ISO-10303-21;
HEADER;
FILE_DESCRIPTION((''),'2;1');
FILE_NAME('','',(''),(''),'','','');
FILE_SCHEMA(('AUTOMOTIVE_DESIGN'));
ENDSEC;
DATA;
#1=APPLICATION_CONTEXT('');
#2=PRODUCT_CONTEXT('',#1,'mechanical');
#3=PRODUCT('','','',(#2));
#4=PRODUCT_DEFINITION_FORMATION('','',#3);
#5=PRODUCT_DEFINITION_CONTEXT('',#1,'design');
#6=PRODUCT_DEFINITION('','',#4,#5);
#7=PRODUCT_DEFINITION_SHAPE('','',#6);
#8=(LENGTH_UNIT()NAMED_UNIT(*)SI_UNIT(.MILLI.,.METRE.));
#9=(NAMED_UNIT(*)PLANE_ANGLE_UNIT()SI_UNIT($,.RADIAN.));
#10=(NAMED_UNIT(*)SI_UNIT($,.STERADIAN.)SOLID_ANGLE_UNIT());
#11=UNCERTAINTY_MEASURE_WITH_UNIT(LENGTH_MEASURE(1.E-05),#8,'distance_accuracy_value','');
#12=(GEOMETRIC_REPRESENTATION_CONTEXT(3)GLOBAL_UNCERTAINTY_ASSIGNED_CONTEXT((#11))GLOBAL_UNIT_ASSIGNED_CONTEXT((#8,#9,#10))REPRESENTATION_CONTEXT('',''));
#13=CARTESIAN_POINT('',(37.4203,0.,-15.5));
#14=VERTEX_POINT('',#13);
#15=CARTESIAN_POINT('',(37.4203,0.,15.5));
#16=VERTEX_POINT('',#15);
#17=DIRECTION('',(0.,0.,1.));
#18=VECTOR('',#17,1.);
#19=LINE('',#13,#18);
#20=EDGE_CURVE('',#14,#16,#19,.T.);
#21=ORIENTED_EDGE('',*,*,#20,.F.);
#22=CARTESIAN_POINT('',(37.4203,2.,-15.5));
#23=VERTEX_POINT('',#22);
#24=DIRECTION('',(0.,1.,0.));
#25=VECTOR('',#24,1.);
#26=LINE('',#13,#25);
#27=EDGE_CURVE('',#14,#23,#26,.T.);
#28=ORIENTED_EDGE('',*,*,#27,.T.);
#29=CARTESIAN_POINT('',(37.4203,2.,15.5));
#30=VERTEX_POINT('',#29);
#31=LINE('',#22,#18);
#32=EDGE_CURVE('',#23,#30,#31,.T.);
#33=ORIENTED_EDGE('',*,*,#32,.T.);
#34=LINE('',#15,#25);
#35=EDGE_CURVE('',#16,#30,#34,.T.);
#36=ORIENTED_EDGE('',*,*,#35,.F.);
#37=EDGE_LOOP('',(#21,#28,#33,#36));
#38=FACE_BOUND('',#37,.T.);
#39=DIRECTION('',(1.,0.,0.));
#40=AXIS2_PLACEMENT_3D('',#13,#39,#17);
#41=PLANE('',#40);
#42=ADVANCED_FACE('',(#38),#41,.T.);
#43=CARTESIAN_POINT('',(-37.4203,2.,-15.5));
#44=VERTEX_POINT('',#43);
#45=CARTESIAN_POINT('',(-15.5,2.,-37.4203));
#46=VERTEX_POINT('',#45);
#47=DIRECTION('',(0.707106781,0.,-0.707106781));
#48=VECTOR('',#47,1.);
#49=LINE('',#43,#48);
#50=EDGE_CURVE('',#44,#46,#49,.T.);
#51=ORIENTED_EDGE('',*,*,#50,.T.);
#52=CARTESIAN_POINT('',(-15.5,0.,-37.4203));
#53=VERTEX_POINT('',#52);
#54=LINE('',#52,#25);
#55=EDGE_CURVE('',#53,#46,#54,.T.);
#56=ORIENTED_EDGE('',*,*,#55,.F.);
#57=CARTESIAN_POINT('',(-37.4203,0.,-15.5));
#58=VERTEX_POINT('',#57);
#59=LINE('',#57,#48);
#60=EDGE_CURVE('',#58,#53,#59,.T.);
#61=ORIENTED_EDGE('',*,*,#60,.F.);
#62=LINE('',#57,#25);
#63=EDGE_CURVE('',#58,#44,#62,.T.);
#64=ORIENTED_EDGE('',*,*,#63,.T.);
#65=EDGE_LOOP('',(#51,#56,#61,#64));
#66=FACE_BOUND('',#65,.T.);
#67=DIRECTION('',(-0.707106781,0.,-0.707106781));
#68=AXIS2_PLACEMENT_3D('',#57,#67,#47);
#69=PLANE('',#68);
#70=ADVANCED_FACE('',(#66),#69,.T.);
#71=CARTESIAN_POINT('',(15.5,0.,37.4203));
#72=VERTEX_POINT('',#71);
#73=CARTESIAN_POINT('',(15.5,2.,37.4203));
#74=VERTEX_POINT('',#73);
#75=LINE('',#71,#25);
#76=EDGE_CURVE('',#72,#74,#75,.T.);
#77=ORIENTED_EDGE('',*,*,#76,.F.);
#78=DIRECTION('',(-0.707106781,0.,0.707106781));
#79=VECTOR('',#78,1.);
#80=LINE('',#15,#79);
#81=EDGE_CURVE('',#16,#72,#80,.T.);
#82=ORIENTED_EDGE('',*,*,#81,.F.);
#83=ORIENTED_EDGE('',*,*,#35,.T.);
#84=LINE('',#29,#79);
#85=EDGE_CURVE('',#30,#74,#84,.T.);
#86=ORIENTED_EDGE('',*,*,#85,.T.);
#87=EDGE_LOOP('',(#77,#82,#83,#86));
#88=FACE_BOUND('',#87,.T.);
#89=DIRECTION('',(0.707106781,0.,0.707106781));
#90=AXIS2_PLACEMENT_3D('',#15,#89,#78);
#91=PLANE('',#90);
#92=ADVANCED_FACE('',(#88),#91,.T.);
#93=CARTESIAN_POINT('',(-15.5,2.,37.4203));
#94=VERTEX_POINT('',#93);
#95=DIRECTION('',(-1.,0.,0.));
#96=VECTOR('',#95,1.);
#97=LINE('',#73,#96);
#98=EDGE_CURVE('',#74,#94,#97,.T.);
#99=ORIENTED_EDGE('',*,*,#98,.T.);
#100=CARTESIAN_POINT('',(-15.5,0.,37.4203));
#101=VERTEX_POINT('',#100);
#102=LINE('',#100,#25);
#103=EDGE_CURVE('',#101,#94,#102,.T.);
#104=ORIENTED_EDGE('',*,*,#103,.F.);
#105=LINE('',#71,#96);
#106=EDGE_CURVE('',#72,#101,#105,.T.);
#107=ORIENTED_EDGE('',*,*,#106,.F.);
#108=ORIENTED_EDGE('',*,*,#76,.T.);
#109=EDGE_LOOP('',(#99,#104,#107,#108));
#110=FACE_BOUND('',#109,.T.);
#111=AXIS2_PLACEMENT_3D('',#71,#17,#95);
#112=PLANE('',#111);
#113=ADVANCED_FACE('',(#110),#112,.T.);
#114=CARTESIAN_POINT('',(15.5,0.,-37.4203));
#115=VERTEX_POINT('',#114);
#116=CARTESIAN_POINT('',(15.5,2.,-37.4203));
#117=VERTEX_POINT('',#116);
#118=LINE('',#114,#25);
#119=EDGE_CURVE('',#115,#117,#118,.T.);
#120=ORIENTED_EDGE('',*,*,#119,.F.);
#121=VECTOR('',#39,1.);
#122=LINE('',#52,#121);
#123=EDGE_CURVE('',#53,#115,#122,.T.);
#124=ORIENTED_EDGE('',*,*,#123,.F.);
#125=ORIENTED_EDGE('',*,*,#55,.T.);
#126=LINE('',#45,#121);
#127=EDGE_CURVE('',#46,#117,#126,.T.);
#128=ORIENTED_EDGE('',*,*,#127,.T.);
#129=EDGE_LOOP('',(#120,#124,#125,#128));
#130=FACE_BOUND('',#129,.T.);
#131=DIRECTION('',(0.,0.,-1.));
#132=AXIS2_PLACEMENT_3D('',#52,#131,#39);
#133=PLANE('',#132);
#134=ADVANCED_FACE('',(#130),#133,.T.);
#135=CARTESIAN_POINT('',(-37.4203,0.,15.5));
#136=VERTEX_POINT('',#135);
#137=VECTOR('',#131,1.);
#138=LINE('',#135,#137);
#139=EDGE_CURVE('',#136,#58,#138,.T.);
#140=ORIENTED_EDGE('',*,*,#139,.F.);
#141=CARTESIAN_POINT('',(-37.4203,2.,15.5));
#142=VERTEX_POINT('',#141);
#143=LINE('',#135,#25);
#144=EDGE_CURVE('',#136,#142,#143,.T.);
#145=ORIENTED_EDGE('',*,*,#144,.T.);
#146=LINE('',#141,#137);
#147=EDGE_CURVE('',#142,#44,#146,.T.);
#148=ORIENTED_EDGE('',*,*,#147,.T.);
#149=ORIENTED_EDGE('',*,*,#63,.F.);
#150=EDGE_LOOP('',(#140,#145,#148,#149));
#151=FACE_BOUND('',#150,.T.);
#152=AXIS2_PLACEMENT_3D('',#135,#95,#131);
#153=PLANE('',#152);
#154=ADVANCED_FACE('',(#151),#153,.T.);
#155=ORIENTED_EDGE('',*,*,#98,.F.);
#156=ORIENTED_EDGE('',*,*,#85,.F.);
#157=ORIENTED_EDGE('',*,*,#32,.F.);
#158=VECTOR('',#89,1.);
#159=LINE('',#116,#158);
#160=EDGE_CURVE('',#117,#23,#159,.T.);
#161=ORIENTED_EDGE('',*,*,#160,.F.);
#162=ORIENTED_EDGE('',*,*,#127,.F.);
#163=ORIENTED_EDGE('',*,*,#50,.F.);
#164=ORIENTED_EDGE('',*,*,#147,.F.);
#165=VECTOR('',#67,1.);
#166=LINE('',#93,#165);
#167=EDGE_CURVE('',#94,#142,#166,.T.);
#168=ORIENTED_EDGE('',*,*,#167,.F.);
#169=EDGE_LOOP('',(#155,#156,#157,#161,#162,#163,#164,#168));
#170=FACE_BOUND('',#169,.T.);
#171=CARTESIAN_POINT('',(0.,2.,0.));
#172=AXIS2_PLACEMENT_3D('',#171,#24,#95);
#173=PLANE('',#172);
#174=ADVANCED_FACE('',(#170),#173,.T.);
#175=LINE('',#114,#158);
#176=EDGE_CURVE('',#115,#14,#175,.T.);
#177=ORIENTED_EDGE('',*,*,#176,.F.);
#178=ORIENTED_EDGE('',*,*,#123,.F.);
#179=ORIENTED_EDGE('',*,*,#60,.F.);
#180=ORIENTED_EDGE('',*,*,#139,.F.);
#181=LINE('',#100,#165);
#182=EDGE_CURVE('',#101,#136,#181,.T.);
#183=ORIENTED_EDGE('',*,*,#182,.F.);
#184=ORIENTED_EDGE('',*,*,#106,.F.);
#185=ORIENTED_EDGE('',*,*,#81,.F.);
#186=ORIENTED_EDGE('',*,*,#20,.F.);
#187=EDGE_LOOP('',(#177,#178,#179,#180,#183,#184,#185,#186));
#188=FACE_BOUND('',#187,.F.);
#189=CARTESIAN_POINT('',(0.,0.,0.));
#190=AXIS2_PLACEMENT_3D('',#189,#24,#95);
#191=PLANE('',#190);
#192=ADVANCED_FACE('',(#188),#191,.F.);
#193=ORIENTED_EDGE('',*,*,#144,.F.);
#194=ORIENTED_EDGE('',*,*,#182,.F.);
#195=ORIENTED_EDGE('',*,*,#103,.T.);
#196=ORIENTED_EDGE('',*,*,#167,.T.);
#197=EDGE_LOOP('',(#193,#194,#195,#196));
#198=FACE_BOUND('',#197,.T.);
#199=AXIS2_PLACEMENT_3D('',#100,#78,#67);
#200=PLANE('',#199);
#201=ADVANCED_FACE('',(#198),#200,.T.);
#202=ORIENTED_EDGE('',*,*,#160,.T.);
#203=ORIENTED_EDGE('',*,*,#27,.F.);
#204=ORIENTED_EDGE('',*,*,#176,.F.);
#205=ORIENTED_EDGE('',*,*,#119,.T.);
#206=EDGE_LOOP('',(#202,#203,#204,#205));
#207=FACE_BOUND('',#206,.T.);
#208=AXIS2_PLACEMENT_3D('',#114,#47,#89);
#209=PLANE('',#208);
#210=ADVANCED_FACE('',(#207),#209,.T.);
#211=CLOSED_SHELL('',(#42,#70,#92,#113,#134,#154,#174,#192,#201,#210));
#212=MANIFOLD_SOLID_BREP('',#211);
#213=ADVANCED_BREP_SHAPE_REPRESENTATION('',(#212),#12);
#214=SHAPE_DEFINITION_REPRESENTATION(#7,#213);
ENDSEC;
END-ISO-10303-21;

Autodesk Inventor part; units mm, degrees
ref_plane "YZ Plane" through (0, 0, 0) normal (1, 0, 0) x (0, 1, 0)
ref_plane "XZ Plane" through (0, 0, 0) normal (0, 1, 0) x (-1, 0, 0)
ref_plane "XY Plane" through (0, 0, 0) normal (0, 0, 1) x (1, 0, 0)
sketch "Sketch1" plane through (0, 0, 0) normal (0, 1, 0) x (-1, 0, 0)
  line L0 (15.5, 37.4203) -> (37.4203, 15.5)
  line L1 (37.4203, 15.5) -> (37.4203, -15.5)
  line L2 (37.4203, -15.5) -> (15.5, -37.4203)
  line L3 (15.5, -37.4203) -> (-15.5, -37.4203)
  line L4 (-15.5, -37.4203) -> (-37.4203, -15.5)
  line L5 (-37.4203, -15.5) -> (-37.4203, 15.5)
  line L6 (-37.4203, 15.5) -> (-15.5, 37.4203)
  line L7 (-15.5, 37.4203) -> (15.5, 37.4203)
  point P0 (0, 0)
  point P1 (0, 0)
  point P2 (0, 0)
  dimension "d0" = 31
extrude "Extrusion1" add sketch "Sketch1" along normal blind 2
properties part number "GPS-Compass_plexi" material "Acrylic, Clear"
